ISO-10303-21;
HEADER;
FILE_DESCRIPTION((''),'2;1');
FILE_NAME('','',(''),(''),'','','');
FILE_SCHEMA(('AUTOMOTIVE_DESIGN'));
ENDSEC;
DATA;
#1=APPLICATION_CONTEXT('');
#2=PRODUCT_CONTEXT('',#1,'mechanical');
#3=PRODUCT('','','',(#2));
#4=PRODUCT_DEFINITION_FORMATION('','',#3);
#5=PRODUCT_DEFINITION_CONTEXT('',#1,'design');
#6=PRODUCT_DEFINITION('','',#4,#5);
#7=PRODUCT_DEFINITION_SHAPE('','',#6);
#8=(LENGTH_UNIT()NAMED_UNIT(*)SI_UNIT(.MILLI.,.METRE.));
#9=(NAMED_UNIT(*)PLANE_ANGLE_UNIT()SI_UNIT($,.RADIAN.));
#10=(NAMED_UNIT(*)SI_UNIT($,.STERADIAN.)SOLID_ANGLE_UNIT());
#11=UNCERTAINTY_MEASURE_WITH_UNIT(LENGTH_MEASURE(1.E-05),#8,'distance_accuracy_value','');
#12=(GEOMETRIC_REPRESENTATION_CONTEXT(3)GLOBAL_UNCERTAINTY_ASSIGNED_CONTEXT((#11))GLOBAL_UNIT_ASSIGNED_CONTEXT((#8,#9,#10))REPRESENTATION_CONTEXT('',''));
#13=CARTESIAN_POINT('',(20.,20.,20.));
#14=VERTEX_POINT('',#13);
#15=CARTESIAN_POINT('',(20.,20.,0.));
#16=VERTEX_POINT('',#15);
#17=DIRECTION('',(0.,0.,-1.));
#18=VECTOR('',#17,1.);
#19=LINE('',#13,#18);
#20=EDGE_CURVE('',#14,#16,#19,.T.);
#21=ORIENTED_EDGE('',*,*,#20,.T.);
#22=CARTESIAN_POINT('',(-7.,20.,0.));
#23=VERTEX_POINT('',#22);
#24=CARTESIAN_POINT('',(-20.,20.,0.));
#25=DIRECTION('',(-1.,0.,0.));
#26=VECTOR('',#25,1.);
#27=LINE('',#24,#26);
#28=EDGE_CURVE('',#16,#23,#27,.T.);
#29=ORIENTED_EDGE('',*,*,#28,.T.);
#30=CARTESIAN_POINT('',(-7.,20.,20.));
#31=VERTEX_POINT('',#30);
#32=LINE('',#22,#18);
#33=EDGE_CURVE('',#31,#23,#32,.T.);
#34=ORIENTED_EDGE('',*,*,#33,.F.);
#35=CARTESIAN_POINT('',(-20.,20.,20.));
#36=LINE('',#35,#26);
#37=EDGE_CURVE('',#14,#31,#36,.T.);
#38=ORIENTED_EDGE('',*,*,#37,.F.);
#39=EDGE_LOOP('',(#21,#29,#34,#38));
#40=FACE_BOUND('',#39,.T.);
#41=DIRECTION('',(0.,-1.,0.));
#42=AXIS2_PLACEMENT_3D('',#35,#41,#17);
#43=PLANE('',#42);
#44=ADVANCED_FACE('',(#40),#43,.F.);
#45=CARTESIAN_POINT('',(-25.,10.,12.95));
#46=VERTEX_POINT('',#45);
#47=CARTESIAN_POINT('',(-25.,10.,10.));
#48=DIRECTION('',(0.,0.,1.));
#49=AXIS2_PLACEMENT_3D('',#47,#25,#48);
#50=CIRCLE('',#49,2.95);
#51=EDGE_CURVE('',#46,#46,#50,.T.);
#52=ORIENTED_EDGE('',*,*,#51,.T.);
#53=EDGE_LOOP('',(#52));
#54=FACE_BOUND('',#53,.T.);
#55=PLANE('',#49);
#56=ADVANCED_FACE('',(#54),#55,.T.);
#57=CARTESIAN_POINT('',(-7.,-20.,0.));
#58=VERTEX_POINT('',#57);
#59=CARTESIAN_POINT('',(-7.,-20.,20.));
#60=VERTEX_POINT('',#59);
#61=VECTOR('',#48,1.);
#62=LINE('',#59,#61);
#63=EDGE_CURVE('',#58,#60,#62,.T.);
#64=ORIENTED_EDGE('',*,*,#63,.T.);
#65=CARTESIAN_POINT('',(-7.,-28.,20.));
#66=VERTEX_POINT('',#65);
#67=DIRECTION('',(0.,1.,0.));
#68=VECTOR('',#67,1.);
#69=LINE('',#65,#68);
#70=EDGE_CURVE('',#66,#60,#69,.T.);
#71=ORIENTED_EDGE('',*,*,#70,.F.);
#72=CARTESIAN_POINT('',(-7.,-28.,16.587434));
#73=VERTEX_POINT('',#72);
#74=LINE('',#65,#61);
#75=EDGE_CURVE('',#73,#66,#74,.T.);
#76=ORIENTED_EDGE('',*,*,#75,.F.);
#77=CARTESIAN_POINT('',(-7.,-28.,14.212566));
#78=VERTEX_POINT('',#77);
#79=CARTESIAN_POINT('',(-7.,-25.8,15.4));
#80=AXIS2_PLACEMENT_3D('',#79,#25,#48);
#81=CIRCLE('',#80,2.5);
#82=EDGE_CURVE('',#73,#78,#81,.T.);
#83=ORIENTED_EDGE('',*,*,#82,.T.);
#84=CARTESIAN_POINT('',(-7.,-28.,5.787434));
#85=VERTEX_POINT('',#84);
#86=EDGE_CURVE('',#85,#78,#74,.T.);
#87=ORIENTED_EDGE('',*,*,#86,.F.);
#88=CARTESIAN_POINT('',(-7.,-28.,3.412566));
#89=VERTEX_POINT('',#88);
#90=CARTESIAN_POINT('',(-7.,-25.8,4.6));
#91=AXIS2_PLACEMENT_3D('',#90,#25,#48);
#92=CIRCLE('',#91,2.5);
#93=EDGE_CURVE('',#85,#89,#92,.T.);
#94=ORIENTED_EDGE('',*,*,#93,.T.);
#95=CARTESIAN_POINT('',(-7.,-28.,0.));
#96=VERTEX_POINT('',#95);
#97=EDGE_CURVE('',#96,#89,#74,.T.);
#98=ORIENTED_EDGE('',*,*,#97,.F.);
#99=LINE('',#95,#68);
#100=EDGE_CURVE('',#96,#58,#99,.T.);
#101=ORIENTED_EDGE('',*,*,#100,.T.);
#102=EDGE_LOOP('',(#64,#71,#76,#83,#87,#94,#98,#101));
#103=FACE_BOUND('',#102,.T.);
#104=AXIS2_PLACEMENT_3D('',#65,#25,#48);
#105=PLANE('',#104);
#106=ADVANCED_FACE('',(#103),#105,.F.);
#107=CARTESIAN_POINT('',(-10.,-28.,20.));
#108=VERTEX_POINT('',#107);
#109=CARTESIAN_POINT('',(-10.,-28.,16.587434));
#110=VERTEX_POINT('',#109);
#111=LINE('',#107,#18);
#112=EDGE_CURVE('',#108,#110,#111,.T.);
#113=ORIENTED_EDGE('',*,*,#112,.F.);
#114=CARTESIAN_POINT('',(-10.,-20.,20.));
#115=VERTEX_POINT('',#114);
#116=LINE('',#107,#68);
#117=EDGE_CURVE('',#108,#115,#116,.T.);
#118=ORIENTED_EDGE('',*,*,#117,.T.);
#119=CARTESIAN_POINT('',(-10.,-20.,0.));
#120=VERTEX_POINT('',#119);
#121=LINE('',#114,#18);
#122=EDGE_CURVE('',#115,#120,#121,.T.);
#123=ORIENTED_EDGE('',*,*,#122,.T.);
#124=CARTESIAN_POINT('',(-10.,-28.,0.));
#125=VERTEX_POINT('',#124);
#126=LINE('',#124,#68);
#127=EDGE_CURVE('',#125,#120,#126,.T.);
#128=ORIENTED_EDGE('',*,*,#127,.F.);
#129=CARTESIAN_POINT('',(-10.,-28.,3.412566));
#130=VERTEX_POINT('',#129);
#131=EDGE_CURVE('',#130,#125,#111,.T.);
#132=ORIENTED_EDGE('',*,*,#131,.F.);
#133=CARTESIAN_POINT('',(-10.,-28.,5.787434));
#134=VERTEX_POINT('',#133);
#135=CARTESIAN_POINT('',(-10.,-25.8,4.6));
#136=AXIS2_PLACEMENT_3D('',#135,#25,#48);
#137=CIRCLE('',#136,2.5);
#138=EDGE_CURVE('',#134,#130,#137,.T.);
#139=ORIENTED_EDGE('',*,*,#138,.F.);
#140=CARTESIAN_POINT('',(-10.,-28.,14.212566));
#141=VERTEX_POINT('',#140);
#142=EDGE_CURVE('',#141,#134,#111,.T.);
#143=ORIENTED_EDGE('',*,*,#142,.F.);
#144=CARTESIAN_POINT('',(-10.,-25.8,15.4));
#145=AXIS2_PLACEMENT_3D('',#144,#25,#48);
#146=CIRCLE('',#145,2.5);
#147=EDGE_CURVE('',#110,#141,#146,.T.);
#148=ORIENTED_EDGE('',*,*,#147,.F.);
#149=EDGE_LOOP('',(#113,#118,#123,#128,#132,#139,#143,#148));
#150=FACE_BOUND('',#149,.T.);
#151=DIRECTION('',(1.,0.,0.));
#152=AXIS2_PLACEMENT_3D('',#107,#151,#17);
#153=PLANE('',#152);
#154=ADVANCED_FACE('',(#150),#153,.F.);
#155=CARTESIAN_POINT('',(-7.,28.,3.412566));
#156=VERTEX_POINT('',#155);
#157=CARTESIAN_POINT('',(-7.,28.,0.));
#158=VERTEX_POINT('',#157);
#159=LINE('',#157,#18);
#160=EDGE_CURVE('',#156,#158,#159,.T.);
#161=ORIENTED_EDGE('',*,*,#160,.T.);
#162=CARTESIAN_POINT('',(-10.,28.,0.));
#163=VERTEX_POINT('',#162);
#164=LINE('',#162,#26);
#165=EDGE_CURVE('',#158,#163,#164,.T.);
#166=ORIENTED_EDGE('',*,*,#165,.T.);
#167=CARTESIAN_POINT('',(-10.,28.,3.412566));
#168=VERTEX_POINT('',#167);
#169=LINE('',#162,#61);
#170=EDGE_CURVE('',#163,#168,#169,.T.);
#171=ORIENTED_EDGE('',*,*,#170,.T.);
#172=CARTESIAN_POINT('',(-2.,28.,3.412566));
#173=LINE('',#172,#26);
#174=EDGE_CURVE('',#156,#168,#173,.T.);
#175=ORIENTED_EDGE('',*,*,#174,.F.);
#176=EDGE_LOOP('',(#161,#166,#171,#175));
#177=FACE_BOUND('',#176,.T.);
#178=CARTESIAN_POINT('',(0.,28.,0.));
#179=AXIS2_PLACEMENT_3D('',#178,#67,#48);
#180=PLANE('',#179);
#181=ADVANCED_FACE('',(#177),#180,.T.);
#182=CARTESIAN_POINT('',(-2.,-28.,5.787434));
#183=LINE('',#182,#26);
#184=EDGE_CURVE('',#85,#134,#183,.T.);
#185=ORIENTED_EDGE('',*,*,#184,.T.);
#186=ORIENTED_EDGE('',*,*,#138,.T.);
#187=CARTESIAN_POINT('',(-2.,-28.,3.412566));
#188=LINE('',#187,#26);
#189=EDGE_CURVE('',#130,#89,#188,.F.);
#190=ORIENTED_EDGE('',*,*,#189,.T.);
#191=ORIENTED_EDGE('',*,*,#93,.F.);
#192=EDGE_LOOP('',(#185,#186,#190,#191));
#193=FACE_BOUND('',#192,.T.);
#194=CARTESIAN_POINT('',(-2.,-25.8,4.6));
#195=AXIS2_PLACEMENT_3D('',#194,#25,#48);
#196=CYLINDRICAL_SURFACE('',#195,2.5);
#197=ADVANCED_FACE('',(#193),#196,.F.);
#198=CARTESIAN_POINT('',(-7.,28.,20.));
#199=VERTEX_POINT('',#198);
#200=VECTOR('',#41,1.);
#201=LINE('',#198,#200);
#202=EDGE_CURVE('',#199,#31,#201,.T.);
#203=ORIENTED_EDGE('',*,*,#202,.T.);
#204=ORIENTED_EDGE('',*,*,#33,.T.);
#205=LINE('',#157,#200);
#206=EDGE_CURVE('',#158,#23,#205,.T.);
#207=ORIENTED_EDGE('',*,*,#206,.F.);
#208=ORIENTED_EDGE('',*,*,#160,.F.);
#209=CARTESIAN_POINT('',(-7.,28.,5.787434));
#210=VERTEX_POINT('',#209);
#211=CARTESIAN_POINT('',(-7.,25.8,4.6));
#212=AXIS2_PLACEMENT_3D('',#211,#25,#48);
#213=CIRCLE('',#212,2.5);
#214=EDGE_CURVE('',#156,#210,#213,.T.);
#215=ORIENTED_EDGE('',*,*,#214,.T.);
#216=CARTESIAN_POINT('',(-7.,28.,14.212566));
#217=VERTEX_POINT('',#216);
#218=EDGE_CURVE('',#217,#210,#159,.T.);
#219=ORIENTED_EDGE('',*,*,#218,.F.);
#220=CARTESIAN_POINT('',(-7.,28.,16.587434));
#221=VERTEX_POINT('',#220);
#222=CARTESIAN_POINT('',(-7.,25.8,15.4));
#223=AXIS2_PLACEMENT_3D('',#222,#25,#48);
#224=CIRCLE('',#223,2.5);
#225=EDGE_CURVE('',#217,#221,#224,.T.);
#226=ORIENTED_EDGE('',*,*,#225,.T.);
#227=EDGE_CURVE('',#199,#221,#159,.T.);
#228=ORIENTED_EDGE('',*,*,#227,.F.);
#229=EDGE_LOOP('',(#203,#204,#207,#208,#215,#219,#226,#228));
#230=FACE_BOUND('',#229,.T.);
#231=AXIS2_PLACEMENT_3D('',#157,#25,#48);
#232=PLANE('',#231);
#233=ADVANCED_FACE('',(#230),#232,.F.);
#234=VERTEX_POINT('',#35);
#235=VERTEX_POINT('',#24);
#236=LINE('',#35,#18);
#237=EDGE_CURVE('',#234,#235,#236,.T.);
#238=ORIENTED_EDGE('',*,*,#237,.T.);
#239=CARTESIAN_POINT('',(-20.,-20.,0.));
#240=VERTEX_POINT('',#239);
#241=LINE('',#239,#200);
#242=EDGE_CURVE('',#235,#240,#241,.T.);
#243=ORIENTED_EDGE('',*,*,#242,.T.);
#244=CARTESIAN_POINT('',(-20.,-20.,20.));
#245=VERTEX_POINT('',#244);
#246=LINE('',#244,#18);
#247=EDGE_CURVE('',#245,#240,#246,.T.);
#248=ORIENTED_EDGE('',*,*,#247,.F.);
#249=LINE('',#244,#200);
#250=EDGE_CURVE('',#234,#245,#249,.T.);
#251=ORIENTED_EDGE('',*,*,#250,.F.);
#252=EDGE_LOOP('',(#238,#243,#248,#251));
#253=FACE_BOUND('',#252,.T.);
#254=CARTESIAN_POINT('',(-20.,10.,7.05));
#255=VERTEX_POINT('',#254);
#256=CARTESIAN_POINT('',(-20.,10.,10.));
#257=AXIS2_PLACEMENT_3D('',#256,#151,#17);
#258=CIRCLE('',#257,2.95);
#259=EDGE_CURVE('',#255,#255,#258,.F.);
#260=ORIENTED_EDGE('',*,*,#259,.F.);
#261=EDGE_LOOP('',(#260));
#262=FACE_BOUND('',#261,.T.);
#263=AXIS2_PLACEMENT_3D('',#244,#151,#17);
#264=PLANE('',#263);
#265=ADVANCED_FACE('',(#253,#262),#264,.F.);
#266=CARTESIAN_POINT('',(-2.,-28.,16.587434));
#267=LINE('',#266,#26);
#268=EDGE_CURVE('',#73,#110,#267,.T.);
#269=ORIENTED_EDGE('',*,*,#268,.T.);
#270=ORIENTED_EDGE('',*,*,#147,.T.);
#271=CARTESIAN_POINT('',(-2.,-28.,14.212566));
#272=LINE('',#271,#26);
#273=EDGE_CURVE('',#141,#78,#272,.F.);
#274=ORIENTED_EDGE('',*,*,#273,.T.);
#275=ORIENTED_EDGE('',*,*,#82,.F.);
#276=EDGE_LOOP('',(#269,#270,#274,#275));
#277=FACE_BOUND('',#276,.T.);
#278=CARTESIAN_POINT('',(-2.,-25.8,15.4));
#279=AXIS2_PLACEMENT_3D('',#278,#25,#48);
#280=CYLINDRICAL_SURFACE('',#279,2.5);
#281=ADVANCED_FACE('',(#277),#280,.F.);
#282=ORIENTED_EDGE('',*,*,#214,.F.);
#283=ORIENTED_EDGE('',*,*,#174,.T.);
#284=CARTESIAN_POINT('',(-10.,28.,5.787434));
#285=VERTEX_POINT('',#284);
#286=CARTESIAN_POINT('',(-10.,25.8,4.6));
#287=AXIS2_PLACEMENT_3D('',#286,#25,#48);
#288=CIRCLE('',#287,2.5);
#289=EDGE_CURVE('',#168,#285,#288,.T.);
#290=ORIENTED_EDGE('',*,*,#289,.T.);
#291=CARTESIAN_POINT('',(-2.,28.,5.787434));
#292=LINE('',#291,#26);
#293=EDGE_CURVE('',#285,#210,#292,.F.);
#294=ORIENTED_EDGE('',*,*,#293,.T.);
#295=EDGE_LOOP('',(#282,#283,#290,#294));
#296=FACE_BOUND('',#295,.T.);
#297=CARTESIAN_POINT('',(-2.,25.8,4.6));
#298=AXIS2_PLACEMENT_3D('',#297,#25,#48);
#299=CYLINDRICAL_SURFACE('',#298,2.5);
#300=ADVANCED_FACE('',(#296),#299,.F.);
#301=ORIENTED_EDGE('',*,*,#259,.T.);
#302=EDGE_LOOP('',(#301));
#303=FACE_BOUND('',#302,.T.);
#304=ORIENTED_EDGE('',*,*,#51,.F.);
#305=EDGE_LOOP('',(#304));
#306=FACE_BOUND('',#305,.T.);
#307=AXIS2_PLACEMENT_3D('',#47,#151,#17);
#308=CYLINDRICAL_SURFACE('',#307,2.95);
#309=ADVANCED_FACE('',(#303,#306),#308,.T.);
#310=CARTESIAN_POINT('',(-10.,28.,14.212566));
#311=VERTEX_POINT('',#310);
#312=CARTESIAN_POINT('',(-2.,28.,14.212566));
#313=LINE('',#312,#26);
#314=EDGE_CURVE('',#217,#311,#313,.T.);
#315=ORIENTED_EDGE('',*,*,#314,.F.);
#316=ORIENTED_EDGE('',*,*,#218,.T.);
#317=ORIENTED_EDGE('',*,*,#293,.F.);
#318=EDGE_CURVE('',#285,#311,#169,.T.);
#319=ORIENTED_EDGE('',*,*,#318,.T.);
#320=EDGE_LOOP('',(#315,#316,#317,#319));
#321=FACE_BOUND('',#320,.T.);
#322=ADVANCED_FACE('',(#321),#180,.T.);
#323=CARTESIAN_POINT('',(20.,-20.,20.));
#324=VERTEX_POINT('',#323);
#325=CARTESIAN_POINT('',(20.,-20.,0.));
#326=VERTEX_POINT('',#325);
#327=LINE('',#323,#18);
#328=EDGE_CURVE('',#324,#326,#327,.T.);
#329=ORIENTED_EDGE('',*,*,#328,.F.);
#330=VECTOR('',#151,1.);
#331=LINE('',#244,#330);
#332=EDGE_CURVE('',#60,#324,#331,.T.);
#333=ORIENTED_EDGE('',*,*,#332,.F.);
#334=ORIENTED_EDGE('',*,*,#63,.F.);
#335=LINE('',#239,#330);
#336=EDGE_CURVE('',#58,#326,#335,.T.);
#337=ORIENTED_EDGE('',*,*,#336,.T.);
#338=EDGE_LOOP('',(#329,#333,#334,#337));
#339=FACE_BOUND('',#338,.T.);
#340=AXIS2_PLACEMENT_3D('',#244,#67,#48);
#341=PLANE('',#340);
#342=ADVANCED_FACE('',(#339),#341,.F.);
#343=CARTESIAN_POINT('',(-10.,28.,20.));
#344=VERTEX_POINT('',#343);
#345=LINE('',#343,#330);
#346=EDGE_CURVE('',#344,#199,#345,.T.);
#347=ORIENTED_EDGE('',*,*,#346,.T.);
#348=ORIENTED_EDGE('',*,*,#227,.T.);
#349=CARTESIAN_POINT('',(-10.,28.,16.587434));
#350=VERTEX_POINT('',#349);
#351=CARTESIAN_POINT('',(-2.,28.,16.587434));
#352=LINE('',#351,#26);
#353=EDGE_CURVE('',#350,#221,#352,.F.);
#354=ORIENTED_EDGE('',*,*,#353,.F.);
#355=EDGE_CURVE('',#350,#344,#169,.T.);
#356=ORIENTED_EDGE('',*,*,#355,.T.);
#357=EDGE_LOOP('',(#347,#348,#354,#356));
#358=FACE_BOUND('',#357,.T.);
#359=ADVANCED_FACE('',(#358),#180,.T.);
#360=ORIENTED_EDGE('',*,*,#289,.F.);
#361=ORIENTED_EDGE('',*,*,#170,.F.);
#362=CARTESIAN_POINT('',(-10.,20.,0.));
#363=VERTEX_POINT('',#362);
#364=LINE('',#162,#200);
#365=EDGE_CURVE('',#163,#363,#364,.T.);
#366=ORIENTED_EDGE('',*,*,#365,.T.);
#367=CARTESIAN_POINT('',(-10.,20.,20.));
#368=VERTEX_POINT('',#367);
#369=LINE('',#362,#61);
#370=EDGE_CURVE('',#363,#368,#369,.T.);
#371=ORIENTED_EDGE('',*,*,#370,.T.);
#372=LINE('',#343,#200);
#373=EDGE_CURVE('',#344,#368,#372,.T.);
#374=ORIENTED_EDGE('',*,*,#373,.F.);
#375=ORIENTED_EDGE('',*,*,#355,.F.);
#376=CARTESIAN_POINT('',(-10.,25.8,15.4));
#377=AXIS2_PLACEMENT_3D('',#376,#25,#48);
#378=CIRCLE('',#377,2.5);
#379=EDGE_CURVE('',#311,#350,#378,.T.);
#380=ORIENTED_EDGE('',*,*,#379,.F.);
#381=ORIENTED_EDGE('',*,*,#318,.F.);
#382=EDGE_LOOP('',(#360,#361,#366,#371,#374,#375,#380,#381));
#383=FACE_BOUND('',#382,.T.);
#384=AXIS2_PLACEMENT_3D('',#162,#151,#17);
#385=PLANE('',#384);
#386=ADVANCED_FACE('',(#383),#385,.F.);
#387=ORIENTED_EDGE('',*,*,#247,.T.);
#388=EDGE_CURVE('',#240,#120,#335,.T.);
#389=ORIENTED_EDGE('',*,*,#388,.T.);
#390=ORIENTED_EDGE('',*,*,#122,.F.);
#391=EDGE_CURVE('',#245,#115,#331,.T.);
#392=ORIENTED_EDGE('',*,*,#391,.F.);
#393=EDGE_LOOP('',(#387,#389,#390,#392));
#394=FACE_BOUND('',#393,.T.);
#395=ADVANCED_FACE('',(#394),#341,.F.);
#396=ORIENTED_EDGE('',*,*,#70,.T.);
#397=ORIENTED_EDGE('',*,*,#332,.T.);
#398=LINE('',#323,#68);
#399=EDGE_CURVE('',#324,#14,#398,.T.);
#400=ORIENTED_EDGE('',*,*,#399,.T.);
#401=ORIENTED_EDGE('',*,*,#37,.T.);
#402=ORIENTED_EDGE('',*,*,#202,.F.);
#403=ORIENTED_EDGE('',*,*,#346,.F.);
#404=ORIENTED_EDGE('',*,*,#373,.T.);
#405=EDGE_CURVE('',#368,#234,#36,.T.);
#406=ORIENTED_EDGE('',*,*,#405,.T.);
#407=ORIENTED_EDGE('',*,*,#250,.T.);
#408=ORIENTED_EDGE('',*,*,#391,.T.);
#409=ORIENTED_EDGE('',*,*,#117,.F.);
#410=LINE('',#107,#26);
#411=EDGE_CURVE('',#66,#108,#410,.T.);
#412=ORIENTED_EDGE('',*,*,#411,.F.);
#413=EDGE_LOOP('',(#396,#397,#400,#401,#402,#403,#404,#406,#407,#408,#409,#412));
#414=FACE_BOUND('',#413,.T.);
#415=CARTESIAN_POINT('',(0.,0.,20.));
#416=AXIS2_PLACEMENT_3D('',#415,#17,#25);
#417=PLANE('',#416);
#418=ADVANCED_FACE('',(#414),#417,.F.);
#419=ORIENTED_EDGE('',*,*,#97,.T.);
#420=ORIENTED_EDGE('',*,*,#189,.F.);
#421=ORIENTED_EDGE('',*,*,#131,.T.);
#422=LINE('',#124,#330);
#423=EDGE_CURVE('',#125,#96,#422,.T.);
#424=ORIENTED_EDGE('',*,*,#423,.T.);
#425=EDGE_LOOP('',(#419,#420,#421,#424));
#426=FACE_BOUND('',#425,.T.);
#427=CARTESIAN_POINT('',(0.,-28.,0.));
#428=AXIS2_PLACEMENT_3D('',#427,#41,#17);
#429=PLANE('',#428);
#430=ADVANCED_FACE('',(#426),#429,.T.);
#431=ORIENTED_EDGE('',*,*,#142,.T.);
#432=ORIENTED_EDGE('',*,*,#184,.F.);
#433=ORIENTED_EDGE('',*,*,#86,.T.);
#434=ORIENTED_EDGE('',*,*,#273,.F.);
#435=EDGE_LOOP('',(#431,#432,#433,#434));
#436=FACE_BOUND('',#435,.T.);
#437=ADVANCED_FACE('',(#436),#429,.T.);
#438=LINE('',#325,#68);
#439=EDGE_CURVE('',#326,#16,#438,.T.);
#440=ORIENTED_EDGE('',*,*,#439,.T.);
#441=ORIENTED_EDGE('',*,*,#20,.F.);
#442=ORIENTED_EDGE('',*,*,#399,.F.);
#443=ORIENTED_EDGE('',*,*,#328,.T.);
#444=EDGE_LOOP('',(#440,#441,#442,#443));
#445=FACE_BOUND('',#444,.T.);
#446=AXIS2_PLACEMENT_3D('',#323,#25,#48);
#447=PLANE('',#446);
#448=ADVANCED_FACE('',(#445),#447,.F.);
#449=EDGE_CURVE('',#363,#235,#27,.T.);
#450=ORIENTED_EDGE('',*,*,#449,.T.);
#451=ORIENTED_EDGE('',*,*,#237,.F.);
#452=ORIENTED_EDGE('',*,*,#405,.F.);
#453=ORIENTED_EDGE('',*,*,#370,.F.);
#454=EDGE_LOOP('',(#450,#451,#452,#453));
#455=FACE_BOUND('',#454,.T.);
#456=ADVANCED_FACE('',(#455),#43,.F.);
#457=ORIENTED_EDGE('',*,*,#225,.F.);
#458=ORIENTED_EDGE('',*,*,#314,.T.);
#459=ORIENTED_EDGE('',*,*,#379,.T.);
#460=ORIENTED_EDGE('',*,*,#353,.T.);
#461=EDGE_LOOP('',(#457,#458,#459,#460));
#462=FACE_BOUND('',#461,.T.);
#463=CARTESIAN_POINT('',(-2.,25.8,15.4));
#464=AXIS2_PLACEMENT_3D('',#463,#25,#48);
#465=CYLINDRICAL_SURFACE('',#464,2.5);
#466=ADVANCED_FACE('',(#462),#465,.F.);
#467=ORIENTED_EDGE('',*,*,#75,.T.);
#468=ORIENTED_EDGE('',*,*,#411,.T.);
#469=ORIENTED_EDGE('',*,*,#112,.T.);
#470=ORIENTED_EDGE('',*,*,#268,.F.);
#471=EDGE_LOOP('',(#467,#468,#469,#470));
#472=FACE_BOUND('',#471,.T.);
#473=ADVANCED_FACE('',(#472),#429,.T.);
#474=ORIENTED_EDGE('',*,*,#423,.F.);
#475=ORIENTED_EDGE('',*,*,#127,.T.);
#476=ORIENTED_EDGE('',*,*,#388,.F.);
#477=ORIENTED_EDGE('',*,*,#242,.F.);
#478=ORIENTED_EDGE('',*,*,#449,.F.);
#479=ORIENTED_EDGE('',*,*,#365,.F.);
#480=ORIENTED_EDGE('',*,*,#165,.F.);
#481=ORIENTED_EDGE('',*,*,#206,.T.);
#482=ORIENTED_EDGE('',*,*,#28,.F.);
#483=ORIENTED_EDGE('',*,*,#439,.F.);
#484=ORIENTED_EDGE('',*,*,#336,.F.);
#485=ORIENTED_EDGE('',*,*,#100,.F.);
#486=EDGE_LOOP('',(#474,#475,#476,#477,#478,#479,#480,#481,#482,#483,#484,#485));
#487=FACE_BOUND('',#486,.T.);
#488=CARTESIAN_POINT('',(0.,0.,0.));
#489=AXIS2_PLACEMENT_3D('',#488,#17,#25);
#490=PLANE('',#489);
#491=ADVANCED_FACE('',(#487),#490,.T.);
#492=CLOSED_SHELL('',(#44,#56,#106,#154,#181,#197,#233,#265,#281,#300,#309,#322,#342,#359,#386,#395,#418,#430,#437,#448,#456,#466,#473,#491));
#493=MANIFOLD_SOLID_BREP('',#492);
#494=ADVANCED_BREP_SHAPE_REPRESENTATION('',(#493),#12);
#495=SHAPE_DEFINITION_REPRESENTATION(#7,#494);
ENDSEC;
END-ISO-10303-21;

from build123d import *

# Parameters (mm, degrees)
ESQUISSE1_W              = 40
ESQUISSE1_H              = 40
BOSS_EXTRU_1_DEPTH       = 20
ESQUISSE2_W              = 3
ESQUISSE2_H              = 20
BOSS_EXTRU_2_DEPTH       = 8
ESQUISSE3_W              = 3
ESQUISSE3_H              = 20
BOSS_EXTRU_4_DEPTH       = 8
ESQUISSE5_R              = 2.5
ENL_V_MAT_EXTRU_9_DEPTH  = 8
ESQUISSE6_R              = 2.5
ENL_V_MAT_EXTRU_10_DEPTH = 8
ESQUISSE7_R              = 2.95
BOSS_EXTRU_5_DEPTH       = 5


with BuildPart() as part:
    # Esquisse1 → Boss.-Extru.1 (new body)
    with BuildSketch(Plane.XY):
        Rectangle(ESQUISSE1_W, ESQUISSE1_H)
    extrude(amount=BOSS_EXTRU_1_DEPTH)

    # Esquisse2 → Boss.-Extru.2 (add)
    with BuildSketch(Plane(origin=(0, 20, 0), x_dir=(1, 0, 0), z_dir=(0, 1, 0))):
        with Locations((-8.5, -10)):
            Rectangle(ESQUISSE2_W, ESQUISSE2_H)
    extrude(amount=BOSS_EXTRU_2_DEPTH)

    # Esquisse3 → Boss.-Extru.4 (add)
    with BuildSketch(Plane.XZ.offset(20)):
        with Locations((-8.5, 10)):
            Rectangle(ESQUISSE3_W, ESQUISSE3_H)
    extrude(amount=BOSS_EXTRU_4_DEPTH)

    # Esquisse5 → Enlèv. mat.-Extru.9 (cut)
    with BuildSketch(Plane.ZY.offset(10)):
        with Locations((4.6, -25.8)):
            Circle(ESQUISSE5_R)
        with Locations((15.4, -25.8)):
            Circle(ESQUISSE5_R)
    extrude(amount=-ENL_V_MAT_EXTRU_9_DEPTH, mode=Mode.SUBTRACT)

    # Esquisse6 → Enlèv. mat.-Extru.10 (cut)
    with BuildSketch(Plane.ZY.offset(10)):
        with Locations((4.6, 25.8)):
            Circle(ESQUISSE6_R)
        with Locations((15.4, 25.8)):
            Circle(ESQUISSE6_R)
    extrude(amount=-ENL_V_MAT_EXTRU_10_DEPTH, mode=Mode.SUBTRACT)

    # Esquisse7 → Boss.-Extru.5 (add)
    with BuildSketch(Plane.ZY.offset(20)):
        with Locations(Location((10, 10, 0), (0, 0, 180))):
            Circle(ESQUISSE7_R)
    extrude(amount=BOSS_EXTRU_5_DEPTH)


solid = part.part
